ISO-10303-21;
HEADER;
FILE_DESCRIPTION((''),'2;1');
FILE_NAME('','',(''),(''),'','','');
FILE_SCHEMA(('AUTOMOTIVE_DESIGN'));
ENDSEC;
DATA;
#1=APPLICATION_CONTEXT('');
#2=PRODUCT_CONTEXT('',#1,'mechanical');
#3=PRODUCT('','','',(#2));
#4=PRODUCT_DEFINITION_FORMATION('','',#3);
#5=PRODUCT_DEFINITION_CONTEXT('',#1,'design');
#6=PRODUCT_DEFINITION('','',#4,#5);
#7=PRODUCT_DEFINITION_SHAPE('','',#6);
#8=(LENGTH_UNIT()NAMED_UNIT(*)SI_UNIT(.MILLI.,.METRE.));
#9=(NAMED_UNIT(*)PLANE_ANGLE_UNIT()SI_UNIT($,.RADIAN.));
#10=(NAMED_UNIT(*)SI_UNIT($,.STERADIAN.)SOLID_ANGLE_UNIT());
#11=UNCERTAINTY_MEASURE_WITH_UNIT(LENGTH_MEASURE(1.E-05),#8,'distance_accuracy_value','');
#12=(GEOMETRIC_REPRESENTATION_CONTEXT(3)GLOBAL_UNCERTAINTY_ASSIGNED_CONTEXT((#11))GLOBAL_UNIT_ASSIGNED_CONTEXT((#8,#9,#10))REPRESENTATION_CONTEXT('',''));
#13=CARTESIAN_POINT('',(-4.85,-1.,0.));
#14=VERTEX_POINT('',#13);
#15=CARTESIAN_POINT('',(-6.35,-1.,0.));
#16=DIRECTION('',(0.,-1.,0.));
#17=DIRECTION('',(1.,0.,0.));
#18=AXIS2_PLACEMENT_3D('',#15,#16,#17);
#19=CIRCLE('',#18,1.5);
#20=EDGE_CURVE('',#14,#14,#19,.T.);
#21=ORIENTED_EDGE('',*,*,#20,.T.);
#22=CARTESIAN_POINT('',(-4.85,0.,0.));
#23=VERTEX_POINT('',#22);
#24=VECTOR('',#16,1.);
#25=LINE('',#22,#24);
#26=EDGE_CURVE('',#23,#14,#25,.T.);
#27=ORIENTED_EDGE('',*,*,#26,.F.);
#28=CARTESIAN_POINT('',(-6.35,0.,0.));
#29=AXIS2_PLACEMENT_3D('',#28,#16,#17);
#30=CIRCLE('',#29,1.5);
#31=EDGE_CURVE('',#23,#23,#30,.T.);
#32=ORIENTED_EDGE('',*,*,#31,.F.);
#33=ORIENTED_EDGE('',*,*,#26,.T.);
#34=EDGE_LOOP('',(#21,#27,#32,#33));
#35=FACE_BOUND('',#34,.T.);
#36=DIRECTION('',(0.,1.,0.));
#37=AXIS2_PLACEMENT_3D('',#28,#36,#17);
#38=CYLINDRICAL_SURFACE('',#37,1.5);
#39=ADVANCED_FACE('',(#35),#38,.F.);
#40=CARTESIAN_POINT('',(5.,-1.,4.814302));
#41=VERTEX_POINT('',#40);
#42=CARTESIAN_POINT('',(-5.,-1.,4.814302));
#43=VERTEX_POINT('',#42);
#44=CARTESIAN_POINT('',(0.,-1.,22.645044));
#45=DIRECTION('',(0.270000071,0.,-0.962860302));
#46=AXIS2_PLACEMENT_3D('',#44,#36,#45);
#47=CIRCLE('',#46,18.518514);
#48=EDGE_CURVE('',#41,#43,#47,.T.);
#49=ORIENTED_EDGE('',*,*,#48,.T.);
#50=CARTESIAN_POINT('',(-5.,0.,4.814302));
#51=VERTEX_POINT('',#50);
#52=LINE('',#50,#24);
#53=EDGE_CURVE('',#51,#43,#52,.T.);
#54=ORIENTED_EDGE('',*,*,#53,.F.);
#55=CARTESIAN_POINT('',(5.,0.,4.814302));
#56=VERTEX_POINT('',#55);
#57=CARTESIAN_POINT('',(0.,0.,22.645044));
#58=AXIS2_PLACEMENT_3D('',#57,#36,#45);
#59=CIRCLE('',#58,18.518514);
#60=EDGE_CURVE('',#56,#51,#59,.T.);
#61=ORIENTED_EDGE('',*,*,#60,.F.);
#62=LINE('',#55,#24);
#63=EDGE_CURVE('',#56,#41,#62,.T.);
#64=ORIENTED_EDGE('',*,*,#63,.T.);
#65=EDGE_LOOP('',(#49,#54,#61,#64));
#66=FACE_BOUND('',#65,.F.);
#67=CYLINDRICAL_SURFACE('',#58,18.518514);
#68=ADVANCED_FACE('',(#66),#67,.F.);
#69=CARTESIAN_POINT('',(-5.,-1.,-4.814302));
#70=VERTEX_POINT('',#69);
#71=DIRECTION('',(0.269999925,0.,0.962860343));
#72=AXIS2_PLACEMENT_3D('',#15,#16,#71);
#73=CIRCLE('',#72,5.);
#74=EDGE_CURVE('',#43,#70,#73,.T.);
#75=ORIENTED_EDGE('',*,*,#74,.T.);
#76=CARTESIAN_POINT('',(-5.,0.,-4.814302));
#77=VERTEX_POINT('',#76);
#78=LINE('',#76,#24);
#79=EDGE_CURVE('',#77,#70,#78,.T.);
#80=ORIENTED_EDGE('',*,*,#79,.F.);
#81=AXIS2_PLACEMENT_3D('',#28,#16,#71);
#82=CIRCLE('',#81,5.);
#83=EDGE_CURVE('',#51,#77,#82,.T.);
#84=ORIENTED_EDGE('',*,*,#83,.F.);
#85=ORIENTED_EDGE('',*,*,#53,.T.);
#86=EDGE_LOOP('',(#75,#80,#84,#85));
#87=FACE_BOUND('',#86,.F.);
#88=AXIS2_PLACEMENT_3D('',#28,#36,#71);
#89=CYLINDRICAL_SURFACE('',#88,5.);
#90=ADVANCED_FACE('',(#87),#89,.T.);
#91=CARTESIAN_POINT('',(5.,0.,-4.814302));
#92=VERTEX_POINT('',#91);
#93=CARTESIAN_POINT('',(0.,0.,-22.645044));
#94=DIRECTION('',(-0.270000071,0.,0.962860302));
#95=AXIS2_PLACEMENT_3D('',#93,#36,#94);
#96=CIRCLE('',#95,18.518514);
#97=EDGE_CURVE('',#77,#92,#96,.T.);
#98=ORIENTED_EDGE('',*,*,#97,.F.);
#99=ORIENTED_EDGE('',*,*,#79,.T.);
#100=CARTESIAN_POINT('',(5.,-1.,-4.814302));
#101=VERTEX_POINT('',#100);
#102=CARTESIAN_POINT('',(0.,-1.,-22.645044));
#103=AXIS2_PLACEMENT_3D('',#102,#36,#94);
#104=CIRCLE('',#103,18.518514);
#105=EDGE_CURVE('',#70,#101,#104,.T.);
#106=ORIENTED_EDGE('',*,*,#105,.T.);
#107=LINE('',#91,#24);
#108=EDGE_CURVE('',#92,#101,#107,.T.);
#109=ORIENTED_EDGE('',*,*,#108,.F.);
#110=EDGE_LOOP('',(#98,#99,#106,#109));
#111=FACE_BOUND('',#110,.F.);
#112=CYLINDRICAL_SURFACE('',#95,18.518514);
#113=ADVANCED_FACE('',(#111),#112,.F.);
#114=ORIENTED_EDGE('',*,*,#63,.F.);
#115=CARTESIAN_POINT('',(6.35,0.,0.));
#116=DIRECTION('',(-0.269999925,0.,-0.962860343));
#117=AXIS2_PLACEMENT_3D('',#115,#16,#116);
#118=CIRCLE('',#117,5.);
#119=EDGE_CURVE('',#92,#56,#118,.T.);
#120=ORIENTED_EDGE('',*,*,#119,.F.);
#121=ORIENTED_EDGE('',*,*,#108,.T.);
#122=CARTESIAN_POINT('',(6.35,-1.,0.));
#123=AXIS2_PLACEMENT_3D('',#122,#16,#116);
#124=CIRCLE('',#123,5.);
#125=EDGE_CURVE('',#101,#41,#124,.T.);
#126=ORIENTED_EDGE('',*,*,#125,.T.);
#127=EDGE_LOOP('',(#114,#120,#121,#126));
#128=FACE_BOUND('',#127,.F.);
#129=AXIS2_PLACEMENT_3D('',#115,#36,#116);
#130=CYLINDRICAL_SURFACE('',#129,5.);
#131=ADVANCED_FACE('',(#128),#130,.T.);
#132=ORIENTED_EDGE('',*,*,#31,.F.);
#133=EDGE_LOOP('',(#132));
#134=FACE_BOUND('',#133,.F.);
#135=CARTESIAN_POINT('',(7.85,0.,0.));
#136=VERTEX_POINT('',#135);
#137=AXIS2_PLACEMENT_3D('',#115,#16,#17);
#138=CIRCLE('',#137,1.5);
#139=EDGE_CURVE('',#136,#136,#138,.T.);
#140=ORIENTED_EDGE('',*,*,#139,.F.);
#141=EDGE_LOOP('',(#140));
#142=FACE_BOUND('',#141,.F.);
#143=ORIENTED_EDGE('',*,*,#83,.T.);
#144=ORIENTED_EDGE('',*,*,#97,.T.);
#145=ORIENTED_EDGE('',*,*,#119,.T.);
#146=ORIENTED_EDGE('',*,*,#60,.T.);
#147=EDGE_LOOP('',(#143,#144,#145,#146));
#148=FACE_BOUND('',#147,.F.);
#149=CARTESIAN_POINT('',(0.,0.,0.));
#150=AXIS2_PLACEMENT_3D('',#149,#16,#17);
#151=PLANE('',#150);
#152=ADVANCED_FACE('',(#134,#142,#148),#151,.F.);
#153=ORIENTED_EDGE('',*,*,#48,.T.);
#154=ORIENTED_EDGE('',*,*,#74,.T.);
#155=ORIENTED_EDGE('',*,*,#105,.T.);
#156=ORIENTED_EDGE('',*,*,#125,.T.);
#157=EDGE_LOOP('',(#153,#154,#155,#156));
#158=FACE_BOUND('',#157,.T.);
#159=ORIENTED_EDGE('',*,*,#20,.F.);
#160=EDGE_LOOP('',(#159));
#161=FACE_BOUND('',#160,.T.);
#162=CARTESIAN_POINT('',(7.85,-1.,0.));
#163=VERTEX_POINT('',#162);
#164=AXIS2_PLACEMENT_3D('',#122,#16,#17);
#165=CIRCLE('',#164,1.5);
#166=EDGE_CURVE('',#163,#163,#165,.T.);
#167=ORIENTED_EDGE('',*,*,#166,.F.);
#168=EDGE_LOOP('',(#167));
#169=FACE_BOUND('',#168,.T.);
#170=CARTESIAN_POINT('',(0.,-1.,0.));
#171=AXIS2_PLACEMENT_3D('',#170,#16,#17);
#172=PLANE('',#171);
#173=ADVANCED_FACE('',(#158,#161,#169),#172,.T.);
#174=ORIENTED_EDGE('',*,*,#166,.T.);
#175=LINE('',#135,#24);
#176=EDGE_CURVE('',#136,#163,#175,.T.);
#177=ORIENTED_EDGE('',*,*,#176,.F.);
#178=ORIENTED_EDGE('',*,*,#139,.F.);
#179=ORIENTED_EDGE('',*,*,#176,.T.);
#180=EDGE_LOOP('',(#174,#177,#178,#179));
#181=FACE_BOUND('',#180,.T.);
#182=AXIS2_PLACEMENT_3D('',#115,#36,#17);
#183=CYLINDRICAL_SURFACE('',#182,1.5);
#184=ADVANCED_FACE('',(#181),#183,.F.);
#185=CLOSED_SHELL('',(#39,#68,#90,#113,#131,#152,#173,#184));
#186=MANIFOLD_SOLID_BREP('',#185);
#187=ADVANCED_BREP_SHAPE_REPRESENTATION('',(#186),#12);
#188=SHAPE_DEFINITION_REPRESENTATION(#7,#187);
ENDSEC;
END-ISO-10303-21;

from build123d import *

# Parameters (mm, degrees)
F0_R     = 1.5
F1_DEPTH = 1


with BuildPart() as f1:
    # F0 (on Front) → F1 (new body)
    with BuildSketch(Plane.XZ):
        with BuildLine():
            ThreePointArc((5, 4.814302), (0, 4.12653), (-5, 4.814302))
            ThreePointArc((-5, 4.814302), (-11.35, 0), (-5, -4.814302))
            ThreePointArc((-5, -4.814302), (0, -4.12653), (5, -4.814302))
            ThreePointArc((5, -4.814302), (11.35, 0), (5, 4.814302))
        make_face()
        with Locations((-6.35, 0)):
            Circle(F0_R, mode=Mode.SUBTRACT)
        with Locations((6.35, 0)):
            Circle(F0_R, mode=Mode.SUBTRACT)
    extrude(amount=F1_DEPTH)


solid = f1.part
